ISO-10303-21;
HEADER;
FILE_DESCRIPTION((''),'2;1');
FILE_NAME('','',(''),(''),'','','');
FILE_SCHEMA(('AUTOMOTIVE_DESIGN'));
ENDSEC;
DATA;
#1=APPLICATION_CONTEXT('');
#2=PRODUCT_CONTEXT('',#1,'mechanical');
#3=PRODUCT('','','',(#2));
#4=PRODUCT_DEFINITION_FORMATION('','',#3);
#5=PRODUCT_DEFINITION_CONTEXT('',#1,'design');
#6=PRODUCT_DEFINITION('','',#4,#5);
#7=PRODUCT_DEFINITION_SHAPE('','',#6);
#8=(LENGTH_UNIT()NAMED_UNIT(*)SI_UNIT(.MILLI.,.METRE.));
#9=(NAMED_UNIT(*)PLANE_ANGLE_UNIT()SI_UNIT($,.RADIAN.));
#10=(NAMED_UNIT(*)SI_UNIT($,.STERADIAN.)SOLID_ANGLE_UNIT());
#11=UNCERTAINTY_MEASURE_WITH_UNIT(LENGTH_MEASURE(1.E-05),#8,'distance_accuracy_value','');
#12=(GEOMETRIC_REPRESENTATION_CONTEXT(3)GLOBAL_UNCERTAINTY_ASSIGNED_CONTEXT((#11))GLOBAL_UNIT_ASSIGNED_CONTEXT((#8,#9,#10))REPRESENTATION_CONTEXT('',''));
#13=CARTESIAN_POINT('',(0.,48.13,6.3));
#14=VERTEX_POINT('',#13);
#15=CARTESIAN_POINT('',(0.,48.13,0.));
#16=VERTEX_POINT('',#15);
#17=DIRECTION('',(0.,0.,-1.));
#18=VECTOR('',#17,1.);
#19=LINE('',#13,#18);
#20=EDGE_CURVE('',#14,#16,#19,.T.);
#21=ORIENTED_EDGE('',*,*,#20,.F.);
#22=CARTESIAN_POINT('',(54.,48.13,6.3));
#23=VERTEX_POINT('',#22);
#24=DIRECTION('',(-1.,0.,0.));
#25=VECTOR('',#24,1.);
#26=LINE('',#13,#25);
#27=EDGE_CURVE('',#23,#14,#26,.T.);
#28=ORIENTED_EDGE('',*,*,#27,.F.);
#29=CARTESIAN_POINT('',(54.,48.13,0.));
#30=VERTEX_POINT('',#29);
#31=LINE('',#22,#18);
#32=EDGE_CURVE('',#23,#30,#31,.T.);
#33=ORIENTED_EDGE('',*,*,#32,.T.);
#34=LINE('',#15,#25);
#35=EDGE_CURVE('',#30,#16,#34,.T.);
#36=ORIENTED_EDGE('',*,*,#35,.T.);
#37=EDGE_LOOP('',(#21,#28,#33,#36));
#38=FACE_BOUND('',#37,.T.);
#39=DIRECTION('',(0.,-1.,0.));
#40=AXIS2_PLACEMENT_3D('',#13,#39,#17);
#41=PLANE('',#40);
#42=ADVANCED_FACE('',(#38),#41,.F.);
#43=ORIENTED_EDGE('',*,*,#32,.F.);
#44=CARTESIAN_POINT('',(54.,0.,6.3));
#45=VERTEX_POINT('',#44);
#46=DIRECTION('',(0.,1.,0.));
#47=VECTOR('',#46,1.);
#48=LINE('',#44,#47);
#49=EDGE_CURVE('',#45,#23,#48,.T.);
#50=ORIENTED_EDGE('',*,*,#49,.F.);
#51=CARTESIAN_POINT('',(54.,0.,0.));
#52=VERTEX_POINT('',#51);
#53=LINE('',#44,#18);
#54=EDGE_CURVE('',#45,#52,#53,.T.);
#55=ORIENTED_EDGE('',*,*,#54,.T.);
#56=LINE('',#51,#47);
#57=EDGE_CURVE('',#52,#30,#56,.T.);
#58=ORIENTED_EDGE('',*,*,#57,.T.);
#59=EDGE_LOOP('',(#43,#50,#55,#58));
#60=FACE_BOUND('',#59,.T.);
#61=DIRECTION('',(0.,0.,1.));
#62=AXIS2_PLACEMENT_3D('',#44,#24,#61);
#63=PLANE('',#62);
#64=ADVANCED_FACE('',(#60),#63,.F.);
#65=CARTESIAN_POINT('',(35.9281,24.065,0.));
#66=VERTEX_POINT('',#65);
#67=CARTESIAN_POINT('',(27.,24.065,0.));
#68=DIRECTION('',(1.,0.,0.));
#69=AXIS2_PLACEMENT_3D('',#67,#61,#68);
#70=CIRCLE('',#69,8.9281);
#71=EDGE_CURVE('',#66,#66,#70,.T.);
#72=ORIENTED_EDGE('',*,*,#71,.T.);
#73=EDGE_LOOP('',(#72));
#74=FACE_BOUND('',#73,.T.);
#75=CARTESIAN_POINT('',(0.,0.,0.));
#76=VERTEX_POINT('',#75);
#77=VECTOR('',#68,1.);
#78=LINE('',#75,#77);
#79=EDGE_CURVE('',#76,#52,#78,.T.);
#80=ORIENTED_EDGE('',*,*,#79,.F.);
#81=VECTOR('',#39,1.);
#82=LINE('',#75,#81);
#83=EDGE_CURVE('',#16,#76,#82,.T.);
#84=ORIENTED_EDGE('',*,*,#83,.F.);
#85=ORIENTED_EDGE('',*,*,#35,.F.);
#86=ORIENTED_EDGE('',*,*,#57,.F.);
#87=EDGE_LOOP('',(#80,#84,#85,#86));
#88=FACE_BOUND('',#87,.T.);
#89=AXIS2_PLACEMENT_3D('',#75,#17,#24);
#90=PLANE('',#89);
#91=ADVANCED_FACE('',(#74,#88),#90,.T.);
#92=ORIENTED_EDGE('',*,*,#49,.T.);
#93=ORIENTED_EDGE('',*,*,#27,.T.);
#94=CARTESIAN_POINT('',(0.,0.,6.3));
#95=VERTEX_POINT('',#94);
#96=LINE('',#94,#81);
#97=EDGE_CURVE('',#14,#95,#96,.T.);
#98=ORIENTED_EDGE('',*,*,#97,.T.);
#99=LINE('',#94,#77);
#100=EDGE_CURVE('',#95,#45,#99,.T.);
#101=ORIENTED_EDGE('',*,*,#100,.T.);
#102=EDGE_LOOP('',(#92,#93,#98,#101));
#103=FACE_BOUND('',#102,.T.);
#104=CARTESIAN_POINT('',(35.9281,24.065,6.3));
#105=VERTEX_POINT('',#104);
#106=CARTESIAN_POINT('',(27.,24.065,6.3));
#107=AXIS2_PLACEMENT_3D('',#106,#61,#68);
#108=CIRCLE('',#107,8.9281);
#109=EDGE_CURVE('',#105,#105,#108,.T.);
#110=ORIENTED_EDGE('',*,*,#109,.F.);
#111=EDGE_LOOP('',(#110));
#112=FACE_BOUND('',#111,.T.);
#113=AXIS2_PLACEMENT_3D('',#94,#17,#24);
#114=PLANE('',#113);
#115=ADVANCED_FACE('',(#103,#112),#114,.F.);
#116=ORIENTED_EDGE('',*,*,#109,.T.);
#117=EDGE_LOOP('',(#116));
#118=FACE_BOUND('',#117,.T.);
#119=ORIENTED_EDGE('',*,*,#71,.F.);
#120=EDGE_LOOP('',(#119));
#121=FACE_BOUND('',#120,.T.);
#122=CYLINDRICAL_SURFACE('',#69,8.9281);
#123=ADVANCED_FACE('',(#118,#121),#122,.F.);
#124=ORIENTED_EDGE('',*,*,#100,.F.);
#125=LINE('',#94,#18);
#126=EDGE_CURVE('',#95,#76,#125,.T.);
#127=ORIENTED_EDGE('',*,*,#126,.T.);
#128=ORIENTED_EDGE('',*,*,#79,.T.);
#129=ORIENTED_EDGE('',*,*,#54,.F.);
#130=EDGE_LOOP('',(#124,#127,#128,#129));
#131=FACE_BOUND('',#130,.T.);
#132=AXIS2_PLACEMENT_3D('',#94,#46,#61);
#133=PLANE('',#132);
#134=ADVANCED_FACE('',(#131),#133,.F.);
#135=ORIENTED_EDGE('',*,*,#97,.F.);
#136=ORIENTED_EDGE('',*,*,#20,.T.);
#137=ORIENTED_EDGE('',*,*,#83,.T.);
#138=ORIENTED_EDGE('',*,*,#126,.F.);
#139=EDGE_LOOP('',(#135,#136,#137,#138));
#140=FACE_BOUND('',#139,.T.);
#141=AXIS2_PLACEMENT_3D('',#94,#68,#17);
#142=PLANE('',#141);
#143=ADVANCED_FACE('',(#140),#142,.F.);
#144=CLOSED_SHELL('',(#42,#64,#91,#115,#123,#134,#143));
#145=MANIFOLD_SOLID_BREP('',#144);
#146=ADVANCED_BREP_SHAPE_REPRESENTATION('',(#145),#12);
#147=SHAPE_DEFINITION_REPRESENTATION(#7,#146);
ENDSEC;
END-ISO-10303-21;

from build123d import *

# Parameters (mm, degrees)
SKETCH1_W           = 54
SKETCH1_H           = 48.13
BOSS_EXTRUDE1_DEPTH = 6.3
SKETCH2_R           = 8.9281
CUT_EXTRUDE1_DEPTH  = 7.3


with BuildPart() as part:
    # Sketch1 → Boss-Extrude1 (new body)
    with BuildSketch(Plane.XY):
        with Locations((27, 24.065)):
            Rectangle(SKETCH1_W, SKETCH1_H)
    extrude(amount=BOSS_EXTRUDE1_DEPTH)

    # Sketch2 → Cut-Extrude1 (cut, through all)
    with BuildSketch(Plane.XY.offset(6.3)):
        with Locations((27, 24.065)):
            Circle(SKETCH2_R)
    extrude(amount=-CUT_EXTRUDE1_DEPTH, mode=Mode.SUBTRACT)


solid = part.part
